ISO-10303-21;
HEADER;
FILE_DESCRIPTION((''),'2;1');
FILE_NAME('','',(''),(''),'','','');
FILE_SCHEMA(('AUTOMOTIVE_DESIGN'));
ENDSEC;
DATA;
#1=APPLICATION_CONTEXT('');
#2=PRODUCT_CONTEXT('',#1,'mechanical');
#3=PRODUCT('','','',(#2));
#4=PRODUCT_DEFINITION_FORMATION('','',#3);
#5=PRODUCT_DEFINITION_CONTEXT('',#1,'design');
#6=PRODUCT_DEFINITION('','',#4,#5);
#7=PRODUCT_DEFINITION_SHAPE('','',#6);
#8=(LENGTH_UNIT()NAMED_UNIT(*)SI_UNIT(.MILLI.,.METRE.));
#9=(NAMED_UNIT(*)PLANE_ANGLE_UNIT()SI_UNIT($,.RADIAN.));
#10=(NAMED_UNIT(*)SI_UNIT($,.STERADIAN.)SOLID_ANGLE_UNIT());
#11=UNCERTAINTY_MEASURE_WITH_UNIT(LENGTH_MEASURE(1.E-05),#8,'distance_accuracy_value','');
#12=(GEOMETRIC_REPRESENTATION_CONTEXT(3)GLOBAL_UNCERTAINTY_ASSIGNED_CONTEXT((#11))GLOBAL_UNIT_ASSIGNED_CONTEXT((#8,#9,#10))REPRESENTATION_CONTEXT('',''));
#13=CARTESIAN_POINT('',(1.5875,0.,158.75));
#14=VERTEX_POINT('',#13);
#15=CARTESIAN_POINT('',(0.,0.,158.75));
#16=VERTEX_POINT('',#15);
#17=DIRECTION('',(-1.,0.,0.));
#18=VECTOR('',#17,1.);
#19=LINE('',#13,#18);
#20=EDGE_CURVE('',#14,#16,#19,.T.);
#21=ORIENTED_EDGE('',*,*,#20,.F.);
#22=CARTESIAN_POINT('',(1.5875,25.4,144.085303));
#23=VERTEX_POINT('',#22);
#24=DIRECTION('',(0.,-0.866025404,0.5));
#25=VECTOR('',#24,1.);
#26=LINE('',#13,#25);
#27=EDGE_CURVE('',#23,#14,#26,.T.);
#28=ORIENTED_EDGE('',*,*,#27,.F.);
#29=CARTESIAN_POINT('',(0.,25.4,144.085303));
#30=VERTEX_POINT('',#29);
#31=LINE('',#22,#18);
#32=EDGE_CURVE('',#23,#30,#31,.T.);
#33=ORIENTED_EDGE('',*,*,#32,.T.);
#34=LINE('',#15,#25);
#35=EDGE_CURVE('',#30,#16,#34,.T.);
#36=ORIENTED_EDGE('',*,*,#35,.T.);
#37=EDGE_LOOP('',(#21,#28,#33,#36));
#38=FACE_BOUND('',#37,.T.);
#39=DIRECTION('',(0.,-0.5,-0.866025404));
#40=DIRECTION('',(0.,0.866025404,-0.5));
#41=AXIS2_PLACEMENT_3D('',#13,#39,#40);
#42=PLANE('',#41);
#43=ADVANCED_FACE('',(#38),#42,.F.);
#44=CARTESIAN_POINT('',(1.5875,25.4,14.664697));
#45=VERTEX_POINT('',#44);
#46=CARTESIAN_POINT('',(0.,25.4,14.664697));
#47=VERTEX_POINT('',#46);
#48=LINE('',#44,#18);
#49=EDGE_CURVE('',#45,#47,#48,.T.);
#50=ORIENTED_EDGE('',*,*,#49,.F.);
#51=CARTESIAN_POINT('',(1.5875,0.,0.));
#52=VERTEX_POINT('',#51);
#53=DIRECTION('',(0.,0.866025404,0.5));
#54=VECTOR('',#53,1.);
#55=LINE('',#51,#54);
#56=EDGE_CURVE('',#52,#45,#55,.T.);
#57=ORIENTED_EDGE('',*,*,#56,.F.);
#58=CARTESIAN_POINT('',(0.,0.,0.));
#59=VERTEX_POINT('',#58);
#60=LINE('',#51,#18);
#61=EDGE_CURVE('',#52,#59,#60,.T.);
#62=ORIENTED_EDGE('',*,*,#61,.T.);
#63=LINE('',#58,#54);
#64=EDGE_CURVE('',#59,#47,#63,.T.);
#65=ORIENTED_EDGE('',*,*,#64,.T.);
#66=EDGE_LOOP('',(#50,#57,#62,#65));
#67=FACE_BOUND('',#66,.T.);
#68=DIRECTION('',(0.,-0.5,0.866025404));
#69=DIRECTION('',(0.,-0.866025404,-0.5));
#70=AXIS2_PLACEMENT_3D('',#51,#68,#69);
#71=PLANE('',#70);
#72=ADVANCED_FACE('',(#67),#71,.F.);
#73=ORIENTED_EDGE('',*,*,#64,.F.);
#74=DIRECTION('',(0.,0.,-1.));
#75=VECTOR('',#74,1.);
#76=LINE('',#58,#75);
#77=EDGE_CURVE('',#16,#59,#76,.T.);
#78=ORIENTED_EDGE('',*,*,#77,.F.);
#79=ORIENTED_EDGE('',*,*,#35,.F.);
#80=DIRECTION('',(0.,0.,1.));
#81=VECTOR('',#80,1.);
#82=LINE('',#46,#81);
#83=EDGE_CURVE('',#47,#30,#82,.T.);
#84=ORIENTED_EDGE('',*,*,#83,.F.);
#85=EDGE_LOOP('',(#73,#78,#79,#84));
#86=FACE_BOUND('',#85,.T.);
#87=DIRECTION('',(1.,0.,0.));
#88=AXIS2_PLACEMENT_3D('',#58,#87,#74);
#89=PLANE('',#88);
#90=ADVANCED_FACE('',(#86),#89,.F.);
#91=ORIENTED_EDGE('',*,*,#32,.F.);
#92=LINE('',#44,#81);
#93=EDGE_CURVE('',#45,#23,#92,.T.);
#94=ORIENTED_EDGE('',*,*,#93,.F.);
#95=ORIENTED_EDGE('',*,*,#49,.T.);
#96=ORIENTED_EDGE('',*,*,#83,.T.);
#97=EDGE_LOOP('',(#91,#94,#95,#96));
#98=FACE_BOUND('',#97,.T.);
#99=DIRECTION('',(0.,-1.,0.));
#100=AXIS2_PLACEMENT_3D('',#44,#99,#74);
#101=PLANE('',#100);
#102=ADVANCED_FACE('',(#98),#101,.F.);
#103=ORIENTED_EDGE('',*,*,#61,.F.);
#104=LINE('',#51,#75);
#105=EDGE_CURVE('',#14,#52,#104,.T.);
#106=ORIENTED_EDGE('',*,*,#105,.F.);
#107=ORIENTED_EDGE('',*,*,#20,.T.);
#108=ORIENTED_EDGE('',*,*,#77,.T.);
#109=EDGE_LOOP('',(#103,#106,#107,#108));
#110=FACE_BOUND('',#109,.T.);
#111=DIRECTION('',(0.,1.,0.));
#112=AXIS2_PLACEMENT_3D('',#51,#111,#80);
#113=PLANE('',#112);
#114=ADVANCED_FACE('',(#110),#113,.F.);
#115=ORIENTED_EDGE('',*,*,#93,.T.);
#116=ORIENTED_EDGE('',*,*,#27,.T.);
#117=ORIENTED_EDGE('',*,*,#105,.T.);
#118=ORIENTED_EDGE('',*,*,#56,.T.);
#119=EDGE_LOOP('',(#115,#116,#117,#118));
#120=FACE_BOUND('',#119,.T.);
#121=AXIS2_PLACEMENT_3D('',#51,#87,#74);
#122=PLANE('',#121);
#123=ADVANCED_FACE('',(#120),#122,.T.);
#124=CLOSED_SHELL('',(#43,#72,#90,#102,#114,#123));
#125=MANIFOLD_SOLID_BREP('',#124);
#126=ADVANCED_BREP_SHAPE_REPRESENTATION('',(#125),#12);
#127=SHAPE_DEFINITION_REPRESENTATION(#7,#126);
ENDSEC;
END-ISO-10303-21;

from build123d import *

# Parameters (mm, degrees)
BOSS_EXTRUDE1_DEPTH = 1.5875


with BuildPart() as part:
    # Sketch1 → Boss-Extrude1 (new body)
    with BuildSketch(Plane(origin=(0, 0, 0), x_dir=(0, 0, -1), z_dir=(1, 0, 0))):
        Polygon((-158.75, 0), (-144.085303163, 25.4), (-14.664696837, 25.4), (0, 0), align=None)
    extrude(amount=BOSS_EXTRUDE1_DEPTH)


solid = part.part
